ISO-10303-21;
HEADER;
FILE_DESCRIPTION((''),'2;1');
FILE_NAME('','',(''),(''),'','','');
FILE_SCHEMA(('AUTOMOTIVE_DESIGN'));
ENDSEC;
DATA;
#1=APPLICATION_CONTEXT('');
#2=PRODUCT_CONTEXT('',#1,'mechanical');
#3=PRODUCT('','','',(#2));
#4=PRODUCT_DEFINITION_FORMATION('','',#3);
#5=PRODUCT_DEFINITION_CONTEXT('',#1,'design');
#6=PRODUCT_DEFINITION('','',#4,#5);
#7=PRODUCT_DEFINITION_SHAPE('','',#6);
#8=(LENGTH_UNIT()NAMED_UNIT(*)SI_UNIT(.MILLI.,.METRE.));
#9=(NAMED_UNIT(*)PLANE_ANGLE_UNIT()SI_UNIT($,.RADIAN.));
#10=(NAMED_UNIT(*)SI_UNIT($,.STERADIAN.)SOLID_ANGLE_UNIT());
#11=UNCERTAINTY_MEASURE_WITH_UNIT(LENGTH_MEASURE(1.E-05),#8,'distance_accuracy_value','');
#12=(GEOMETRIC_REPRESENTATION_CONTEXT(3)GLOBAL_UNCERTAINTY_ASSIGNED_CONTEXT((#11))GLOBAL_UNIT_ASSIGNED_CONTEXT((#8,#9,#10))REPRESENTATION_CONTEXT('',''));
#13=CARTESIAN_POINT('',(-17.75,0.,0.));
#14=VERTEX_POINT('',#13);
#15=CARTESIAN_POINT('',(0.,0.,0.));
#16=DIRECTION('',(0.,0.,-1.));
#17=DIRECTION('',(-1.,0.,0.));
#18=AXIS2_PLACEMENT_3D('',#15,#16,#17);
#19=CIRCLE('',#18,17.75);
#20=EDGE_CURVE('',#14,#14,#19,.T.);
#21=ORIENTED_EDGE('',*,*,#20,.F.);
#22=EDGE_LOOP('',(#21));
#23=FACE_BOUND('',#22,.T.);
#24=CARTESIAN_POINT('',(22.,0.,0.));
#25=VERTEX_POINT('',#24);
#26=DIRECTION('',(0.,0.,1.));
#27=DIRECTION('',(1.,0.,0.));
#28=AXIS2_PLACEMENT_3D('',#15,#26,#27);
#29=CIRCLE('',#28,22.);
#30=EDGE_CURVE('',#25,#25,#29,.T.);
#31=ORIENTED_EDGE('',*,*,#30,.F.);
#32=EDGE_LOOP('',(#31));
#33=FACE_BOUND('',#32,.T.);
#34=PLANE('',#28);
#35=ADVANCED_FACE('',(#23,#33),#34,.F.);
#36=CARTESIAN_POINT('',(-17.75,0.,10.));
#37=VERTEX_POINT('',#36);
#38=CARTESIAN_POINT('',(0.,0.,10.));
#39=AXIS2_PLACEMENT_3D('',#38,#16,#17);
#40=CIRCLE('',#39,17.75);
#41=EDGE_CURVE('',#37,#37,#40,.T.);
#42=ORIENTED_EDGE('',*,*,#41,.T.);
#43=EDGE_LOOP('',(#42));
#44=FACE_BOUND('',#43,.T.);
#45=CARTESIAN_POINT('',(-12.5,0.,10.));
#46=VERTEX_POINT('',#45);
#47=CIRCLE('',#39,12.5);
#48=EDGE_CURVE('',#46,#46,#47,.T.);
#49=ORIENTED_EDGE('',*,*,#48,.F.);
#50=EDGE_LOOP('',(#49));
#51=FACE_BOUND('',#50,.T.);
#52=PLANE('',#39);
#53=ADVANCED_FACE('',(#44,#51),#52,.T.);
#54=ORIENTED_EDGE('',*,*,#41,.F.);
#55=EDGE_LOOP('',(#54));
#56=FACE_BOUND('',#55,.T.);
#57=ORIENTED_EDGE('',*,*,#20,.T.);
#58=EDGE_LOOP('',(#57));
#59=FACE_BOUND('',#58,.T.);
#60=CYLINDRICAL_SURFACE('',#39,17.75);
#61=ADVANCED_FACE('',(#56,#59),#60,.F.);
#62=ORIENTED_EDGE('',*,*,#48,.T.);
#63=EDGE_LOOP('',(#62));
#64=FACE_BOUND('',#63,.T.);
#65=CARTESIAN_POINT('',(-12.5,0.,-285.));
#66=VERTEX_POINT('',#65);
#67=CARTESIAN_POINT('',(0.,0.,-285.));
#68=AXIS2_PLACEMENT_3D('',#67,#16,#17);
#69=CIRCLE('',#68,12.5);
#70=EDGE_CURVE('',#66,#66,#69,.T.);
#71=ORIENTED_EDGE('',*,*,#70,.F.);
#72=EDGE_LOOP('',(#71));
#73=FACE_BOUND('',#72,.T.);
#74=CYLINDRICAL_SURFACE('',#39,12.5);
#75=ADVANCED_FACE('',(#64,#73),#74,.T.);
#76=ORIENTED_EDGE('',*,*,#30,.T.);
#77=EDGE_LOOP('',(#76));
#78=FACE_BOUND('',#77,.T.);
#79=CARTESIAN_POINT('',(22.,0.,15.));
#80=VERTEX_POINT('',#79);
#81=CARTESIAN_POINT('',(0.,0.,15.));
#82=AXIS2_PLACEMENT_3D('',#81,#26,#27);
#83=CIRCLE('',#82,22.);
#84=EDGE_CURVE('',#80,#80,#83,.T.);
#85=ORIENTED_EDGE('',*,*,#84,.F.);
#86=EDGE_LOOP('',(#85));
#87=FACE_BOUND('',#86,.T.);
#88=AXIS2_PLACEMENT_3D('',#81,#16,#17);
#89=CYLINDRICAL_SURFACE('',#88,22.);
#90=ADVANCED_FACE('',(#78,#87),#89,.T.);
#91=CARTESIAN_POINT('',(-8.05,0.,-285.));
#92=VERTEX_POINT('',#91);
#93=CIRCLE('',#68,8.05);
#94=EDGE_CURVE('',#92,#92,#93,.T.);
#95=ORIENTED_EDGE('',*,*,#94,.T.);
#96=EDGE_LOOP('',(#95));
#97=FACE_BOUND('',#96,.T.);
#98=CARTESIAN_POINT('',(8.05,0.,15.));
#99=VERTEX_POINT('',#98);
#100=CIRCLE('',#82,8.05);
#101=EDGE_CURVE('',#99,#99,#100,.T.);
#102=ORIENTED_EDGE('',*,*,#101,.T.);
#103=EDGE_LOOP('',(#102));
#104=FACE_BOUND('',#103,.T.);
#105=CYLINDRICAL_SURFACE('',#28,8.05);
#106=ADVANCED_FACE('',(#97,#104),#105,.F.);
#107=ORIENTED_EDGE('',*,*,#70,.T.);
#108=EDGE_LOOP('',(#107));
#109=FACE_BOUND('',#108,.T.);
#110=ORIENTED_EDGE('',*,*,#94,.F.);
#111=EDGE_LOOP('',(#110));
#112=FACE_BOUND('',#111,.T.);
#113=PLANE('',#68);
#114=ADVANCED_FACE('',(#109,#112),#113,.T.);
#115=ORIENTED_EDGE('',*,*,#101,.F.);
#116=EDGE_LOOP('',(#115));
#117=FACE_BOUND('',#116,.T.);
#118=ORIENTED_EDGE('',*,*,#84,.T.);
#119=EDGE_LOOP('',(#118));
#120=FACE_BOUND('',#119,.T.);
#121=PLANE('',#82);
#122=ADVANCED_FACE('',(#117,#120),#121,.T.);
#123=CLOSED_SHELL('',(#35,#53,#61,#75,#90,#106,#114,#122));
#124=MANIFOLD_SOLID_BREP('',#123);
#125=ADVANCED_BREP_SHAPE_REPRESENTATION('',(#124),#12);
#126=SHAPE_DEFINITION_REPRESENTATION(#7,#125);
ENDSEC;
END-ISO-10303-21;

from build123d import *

# Parameters (mm, degrees)
SKETCH1_R           = 22
BOSS_EXTRUDE1_DEPTH = 15
SKETCH2_R           = 17.75
SKETCH2_R_2         = 12.5
CUT_EXTRUDE1_DEPTH  = 10
SKETCH3_R           = 8.05
CUT_EXTRUDE2_DEPTH  = 35.539832078
SKETCH4_R           = 12.5
SKETCH4_R_2         = 8.05
BOSS_EXTRUDE2_DEPTH = 285


with BuildPart() as part:
    # Sketch1 → Boss-Extrude1 (new body)
    with BuildSketch(Plane.XY):
        Circle(SKETCH1_R)
    extrude(amount=BOSS_EXTRUDE1_DEPTH)

    # Sketch2 → Cut-Extrude1 (cut)
    with BuildSketch(Plane(origin=(0, 0, 0), x_dir=(-1, 0, 0), z_dir=(0, 0, -1))):
        Circle(SKETCH2_R)
        Circle(SKETCH2_R_2, mode=Mode.SUBTRACT)
    extrude(amount=-CUT_EXTRUDE1_DEPTH, mode=Mode.SUBTRACT)

    # Sketch3 → Cut-Extrude2 (cut, through all)
    with BuildSketch(Plane.XY.offset(15)):
        Circle(SKETCH3_R)
    extrude(amount=-CUT_EXTRUDE2_DEPTH, mode=Mode.SUBTRACT)

    # Sketch4 → Boss-Extrude2 (add)
    with BuildSketch(Plane(origin=(0, 0, 0), x_dir=(-1, 0, 0), z_dir=(0, 0, -1))):
        Circle(SKETCH4_R)
        with Locations(Location((0, 0, 0), (0, 0, 180))):
            Circle(SKETCH4_R_2, mode=Mode.SUBTRACT)
    extrude(amount=BOSS_EXTRUDE2_DEPTH)


solid = part.part
